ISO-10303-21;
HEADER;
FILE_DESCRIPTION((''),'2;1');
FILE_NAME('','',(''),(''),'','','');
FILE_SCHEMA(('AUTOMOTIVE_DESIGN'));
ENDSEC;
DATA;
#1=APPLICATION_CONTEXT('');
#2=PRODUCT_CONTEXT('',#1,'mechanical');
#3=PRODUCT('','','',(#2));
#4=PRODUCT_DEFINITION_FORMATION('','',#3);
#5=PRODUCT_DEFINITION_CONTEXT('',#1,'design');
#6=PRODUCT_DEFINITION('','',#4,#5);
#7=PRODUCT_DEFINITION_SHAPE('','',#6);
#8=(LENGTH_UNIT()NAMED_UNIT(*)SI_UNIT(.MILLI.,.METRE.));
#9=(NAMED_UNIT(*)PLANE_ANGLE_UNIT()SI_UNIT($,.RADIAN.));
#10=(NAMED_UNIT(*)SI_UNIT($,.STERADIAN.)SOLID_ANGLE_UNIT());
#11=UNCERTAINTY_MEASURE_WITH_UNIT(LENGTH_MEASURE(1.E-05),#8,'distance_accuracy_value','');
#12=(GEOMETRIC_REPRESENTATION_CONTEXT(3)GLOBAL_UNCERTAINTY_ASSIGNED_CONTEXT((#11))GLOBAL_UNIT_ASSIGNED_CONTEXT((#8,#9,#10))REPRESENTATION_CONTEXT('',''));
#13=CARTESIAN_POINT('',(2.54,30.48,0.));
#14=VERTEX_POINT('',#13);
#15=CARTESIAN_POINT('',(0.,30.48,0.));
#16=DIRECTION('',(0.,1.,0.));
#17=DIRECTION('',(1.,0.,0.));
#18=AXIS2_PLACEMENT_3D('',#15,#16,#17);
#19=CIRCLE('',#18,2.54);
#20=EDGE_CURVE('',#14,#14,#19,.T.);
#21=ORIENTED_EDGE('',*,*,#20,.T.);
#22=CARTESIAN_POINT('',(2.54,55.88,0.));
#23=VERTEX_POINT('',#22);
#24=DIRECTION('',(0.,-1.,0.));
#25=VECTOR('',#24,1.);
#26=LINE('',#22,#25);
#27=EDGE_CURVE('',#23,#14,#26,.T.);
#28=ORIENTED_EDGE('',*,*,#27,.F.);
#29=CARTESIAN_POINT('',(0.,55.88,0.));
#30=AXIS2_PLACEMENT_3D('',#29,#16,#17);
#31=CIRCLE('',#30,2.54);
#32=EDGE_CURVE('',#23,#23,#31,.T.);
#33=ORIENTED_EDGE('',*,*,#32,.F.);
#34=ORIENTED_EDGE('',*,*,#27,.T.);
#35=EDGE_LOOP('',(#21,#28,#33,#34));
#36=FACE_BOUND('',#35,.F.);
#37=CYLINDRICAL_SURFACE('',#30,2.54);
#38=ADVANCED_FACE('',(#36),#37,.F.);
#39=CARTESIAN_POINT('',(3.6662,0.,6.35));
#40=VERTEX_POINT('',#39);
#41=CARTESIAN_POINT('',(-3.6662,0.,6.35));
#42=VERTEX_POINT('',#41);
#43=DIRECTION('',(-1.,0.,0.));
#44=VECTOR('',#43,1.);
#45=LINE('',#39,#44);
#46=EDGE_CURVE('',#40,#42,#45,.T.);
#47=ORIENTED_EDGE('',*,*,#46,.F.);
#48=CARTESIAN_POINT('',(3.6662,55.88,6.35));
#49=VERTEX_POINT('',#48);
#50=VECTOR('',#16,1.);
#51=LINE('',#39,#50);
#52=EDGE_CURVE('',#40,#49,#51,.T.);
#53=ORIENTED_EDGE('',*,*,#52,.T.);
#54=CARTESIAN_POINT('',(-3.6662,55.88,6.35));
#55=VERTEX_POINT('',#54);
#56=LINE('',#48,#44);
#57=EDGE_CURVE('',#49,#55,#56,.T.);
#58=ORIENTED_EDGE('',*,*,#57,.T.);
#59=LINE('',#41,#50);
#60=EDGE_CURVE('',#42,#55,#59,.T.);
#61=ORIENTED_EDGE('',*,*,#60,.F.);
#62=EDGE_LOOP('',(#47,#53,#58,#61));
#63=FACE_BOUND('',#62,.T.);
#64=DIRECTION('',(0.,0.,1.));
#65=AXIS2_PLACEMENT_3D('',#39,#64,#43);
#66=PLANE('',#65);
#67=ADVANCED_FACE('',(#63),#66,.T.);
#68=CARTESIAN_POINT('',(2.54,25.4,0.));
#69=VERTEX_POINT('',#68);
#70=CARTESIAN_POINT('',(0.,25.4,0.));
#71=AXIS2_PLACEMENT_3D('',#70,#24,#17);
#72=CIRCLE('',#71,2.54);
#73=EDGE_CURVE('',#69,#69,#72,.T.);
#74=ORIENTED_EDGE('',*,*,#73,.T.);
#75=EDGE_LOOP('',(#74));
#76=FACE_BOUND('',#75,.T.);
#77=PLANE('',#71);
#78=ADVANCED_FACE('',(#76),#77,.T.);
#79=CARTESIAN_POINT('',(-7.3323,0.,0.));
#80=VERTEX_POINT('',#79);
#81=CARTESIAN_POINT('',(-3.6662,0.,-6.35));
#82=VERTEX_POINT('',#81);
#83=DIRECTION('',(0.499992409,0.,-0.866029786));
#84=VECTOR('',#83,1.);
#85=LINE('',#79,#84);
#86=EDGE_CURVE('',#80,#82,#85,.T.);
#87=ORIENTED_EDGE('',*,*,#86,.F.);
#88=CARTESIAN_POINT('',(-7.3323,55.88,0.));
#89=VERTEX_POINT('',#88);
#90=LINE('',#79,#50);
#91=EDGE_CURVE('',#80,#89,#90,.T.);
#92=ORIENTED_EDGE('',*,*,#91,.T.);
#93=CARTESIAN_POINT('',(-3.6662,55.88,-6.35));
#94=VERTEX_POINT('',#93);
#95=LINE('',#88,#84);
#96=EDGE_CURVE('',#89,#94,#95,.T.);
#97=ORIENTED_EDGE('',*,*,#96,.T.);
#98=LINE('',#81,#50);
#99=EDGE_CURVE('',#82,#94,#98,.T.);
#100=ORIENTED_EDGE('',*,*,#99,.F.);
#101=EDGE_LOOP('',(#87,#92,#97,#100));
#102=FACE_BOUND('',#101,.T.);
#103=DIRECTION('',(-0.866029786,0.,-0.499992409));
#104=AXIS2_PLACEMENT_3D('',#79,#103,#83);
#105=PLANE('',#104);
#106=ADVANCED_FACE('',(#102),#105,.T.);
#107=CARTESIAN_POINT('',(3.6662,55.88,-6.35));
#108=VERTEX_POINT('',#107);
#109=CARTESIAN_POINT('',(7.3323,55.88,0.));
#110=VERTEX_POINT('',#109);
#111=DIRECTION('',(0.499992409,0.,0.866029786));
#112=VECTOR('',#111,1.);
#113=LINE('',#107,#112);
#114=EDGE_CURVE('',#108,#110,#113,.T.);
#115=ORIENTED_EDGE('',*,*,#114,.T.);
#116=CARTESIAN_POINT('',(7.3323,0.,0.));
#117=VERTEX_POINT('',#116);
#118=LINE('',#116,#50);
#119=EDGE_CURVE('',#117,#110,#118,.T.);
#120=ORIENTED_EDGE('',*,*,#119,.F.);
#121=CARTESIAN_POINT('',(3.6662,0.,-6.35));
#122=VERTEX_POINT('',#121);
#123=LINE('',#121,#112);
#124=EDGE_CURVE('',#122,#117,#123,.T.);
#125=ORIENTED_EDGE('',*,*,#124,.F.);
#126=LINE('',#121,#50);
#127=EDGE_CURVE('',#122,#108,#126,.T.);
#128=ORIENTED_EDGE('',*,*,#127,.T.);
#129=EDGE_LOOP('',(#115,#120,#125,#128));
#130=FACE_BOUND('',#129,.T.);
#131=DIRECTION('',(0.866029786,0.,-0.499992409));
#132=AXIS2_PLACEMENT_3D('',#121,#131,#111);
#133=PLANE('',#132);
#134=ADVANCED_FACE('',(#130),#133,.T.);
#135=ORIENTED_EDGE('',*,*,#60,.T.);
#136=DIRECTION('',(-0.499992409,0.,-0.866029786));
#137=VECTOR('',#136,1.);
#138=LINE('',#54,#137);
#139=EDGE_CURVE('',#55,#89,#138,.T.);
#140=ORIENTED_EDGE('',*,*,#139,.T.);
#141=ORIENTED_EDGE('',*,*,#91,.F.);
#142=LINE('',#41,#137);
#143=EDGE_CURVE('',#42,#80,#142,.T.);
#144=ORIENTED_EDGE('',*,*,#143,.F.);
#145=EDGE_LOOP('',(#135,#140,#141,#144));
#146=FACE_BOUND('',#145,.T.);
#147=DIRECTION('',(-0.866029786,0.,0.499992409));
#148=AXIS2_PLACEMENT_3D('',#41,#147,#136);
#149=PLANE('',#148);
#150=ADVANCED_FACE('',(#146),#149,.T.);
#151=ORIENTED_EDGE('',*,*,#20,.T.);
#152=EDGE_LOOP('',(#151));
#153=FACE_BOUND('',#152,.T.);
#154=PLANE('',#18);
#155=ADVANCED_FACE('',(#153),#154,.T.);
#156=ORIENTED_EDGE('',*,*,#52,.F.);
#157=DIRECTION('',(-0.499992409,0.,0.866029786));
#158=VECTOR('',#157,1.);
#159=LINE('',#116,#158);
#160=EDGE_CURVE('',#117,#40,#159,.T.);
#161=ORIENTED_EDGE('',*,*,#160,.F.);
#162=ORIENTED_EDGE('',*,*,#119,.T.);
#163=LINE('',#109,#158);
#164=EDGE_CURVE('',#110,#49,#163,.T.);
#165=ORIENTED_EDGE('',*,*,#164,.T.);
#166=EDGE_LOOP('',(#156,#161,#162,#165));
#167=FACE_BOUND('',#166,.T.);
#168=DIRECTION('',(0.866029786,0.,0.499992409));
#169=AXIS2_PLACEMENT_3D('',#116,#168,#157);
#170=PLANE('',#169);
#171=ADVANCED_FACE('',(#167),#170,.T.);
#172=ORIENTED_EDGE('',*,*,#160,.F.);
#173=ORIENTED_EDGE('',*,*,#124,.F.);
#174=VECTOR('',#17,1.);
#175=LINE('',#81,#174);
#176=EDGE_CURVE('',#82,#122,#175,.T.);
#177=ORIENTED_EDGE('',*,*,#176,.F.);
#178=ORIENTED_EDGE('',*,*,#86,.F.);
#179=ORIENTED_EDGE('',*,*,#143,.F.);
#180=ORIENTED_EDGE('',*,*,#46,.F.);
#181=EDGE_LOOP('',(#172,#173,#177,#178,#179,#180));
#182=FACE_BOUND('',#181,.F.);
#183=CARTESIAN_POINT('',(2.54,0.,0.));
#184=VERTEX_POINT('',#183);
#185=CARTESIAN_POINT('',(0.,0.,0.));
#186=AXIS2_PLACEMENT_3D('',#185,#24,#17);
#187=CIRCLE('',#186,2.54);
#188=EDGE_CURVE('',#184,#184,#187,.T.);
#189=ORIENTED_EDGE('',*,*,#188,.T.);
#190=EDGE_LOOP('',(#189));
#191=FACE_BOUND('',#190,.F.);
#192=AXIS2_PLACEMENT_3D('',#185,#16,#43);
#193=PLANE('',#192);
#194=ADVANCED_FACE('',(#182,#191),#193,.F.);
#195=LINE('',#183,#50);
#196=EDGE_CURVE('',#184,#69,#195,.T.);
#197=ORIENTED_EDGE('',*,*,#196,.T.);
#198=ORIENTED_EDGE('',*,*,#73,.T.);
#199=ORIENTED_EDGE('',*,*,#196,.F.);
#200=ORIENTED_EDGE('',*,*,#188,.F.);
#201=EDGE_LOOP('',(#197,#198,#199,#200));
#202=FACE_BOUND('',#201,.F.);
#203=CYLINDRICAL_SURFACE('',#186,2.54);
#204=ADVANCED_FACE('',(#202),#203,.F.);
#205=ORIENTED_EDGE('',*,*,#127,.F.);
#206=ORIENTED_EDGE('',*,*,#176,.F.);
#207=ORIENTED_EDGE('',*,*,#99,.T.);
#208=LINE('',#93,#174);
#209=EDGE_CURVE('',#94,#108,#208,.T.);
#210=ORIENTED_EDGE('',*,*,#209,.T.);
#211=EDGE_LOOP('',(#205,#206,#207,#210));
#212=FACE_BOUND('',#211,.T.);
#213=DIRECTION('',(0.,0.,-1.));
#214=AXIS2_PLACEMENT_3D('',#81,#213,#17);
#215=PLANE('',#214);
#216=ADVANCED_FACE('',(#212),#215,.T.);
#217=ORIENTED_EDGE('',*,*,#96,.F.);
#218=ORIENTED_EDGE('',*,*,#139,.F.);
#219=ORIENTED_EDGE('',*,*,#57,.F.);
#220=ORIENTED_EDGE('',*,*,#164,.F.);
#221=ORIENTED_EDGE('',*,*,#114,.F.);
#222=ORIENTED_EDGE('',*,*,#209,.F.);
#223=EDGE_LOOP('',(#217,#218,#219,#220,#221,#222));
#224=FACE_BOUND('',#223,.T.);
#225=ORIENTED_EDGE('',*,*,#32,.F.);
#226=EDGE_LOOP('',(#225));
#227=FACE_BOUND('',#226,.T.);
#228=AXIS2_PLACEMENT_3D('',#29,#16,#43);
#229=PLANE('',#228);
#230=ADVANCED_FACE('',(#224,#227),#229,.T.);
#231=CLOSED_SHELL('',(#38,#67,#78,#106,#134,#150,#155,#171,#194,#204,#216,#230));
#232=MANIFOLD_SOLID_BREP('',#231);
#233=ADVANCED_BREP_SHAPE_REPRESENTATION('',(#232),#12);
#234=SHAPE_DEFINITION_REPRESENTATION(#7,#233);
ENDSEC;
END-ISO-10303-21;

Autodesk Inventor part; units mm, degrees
ref_plane "YZ Plane" through (0, 0, 0) normal (1, 0, 0) x (0, 1, 0)
ref_plane "XZ Plane" through (0, 0, 0) normal (0, 1, 0) x (-1, 0, 0)
ref_plane "XY Plane" through (0, 0, 0) normal (0, 0, 1) x (1, 0, 0)
sketch "Sketch1" plane through (0, 0, 0) normal (0, 1, 0) x (-1, 0, 0)
  line L0 (-3.6662, 6.35) -> (3.6662, 6.35)
  line L1 (3.6662, 6.35) -> (7.3323, 0)
  line L2 (7.3323, 0) -> (3.6662, -6.35)
  line L3 (3.6662, -6.35) -> (-3.6662, -6.35)
  line L4 (-3.6662, -6.35) -> (-7.3323, 0)
  line L5 (-7.3323, 0) -> (-3.6662, 6.35)
  point P0 (0, 0)
  point P1 (0, 0)
  dimension "d0" = 12.7
extrude "Extrusion1" add sketch "Sketch1" along normal blind 55.88
sketch "Sketch2" plane through (0, 55.88, 0) normal (0, 1, 0) x (1, 0, 0)
  circle A0 centre (0, 0) radius 2.54
  dimension "d3" = 5.08
extrude "Extrusion2" cut sketch "Sketch2" against normal blind 25.4
thread "Thread1" size "1/4-20 UNC" class "2B" standard "ANSI Unified Screw Threads" full length
sketch "Sketch3" plane through (0, 0, 0) normal (0, -1, 0) x (1, 0, 0)
  circle A0 centre (0, 0) radius 2.54
  dimension "d8" = 5.08
extrude "Extrusion3" cut sketch "Sketch3" against normal blind 25.4
thread "Thread2" size "1/4-20 UNC" class "2B" standard "ANSI Unified Screw Threads" full length
properties part number "OUTK_016_Shaft3" material "Aluminum 6061"
